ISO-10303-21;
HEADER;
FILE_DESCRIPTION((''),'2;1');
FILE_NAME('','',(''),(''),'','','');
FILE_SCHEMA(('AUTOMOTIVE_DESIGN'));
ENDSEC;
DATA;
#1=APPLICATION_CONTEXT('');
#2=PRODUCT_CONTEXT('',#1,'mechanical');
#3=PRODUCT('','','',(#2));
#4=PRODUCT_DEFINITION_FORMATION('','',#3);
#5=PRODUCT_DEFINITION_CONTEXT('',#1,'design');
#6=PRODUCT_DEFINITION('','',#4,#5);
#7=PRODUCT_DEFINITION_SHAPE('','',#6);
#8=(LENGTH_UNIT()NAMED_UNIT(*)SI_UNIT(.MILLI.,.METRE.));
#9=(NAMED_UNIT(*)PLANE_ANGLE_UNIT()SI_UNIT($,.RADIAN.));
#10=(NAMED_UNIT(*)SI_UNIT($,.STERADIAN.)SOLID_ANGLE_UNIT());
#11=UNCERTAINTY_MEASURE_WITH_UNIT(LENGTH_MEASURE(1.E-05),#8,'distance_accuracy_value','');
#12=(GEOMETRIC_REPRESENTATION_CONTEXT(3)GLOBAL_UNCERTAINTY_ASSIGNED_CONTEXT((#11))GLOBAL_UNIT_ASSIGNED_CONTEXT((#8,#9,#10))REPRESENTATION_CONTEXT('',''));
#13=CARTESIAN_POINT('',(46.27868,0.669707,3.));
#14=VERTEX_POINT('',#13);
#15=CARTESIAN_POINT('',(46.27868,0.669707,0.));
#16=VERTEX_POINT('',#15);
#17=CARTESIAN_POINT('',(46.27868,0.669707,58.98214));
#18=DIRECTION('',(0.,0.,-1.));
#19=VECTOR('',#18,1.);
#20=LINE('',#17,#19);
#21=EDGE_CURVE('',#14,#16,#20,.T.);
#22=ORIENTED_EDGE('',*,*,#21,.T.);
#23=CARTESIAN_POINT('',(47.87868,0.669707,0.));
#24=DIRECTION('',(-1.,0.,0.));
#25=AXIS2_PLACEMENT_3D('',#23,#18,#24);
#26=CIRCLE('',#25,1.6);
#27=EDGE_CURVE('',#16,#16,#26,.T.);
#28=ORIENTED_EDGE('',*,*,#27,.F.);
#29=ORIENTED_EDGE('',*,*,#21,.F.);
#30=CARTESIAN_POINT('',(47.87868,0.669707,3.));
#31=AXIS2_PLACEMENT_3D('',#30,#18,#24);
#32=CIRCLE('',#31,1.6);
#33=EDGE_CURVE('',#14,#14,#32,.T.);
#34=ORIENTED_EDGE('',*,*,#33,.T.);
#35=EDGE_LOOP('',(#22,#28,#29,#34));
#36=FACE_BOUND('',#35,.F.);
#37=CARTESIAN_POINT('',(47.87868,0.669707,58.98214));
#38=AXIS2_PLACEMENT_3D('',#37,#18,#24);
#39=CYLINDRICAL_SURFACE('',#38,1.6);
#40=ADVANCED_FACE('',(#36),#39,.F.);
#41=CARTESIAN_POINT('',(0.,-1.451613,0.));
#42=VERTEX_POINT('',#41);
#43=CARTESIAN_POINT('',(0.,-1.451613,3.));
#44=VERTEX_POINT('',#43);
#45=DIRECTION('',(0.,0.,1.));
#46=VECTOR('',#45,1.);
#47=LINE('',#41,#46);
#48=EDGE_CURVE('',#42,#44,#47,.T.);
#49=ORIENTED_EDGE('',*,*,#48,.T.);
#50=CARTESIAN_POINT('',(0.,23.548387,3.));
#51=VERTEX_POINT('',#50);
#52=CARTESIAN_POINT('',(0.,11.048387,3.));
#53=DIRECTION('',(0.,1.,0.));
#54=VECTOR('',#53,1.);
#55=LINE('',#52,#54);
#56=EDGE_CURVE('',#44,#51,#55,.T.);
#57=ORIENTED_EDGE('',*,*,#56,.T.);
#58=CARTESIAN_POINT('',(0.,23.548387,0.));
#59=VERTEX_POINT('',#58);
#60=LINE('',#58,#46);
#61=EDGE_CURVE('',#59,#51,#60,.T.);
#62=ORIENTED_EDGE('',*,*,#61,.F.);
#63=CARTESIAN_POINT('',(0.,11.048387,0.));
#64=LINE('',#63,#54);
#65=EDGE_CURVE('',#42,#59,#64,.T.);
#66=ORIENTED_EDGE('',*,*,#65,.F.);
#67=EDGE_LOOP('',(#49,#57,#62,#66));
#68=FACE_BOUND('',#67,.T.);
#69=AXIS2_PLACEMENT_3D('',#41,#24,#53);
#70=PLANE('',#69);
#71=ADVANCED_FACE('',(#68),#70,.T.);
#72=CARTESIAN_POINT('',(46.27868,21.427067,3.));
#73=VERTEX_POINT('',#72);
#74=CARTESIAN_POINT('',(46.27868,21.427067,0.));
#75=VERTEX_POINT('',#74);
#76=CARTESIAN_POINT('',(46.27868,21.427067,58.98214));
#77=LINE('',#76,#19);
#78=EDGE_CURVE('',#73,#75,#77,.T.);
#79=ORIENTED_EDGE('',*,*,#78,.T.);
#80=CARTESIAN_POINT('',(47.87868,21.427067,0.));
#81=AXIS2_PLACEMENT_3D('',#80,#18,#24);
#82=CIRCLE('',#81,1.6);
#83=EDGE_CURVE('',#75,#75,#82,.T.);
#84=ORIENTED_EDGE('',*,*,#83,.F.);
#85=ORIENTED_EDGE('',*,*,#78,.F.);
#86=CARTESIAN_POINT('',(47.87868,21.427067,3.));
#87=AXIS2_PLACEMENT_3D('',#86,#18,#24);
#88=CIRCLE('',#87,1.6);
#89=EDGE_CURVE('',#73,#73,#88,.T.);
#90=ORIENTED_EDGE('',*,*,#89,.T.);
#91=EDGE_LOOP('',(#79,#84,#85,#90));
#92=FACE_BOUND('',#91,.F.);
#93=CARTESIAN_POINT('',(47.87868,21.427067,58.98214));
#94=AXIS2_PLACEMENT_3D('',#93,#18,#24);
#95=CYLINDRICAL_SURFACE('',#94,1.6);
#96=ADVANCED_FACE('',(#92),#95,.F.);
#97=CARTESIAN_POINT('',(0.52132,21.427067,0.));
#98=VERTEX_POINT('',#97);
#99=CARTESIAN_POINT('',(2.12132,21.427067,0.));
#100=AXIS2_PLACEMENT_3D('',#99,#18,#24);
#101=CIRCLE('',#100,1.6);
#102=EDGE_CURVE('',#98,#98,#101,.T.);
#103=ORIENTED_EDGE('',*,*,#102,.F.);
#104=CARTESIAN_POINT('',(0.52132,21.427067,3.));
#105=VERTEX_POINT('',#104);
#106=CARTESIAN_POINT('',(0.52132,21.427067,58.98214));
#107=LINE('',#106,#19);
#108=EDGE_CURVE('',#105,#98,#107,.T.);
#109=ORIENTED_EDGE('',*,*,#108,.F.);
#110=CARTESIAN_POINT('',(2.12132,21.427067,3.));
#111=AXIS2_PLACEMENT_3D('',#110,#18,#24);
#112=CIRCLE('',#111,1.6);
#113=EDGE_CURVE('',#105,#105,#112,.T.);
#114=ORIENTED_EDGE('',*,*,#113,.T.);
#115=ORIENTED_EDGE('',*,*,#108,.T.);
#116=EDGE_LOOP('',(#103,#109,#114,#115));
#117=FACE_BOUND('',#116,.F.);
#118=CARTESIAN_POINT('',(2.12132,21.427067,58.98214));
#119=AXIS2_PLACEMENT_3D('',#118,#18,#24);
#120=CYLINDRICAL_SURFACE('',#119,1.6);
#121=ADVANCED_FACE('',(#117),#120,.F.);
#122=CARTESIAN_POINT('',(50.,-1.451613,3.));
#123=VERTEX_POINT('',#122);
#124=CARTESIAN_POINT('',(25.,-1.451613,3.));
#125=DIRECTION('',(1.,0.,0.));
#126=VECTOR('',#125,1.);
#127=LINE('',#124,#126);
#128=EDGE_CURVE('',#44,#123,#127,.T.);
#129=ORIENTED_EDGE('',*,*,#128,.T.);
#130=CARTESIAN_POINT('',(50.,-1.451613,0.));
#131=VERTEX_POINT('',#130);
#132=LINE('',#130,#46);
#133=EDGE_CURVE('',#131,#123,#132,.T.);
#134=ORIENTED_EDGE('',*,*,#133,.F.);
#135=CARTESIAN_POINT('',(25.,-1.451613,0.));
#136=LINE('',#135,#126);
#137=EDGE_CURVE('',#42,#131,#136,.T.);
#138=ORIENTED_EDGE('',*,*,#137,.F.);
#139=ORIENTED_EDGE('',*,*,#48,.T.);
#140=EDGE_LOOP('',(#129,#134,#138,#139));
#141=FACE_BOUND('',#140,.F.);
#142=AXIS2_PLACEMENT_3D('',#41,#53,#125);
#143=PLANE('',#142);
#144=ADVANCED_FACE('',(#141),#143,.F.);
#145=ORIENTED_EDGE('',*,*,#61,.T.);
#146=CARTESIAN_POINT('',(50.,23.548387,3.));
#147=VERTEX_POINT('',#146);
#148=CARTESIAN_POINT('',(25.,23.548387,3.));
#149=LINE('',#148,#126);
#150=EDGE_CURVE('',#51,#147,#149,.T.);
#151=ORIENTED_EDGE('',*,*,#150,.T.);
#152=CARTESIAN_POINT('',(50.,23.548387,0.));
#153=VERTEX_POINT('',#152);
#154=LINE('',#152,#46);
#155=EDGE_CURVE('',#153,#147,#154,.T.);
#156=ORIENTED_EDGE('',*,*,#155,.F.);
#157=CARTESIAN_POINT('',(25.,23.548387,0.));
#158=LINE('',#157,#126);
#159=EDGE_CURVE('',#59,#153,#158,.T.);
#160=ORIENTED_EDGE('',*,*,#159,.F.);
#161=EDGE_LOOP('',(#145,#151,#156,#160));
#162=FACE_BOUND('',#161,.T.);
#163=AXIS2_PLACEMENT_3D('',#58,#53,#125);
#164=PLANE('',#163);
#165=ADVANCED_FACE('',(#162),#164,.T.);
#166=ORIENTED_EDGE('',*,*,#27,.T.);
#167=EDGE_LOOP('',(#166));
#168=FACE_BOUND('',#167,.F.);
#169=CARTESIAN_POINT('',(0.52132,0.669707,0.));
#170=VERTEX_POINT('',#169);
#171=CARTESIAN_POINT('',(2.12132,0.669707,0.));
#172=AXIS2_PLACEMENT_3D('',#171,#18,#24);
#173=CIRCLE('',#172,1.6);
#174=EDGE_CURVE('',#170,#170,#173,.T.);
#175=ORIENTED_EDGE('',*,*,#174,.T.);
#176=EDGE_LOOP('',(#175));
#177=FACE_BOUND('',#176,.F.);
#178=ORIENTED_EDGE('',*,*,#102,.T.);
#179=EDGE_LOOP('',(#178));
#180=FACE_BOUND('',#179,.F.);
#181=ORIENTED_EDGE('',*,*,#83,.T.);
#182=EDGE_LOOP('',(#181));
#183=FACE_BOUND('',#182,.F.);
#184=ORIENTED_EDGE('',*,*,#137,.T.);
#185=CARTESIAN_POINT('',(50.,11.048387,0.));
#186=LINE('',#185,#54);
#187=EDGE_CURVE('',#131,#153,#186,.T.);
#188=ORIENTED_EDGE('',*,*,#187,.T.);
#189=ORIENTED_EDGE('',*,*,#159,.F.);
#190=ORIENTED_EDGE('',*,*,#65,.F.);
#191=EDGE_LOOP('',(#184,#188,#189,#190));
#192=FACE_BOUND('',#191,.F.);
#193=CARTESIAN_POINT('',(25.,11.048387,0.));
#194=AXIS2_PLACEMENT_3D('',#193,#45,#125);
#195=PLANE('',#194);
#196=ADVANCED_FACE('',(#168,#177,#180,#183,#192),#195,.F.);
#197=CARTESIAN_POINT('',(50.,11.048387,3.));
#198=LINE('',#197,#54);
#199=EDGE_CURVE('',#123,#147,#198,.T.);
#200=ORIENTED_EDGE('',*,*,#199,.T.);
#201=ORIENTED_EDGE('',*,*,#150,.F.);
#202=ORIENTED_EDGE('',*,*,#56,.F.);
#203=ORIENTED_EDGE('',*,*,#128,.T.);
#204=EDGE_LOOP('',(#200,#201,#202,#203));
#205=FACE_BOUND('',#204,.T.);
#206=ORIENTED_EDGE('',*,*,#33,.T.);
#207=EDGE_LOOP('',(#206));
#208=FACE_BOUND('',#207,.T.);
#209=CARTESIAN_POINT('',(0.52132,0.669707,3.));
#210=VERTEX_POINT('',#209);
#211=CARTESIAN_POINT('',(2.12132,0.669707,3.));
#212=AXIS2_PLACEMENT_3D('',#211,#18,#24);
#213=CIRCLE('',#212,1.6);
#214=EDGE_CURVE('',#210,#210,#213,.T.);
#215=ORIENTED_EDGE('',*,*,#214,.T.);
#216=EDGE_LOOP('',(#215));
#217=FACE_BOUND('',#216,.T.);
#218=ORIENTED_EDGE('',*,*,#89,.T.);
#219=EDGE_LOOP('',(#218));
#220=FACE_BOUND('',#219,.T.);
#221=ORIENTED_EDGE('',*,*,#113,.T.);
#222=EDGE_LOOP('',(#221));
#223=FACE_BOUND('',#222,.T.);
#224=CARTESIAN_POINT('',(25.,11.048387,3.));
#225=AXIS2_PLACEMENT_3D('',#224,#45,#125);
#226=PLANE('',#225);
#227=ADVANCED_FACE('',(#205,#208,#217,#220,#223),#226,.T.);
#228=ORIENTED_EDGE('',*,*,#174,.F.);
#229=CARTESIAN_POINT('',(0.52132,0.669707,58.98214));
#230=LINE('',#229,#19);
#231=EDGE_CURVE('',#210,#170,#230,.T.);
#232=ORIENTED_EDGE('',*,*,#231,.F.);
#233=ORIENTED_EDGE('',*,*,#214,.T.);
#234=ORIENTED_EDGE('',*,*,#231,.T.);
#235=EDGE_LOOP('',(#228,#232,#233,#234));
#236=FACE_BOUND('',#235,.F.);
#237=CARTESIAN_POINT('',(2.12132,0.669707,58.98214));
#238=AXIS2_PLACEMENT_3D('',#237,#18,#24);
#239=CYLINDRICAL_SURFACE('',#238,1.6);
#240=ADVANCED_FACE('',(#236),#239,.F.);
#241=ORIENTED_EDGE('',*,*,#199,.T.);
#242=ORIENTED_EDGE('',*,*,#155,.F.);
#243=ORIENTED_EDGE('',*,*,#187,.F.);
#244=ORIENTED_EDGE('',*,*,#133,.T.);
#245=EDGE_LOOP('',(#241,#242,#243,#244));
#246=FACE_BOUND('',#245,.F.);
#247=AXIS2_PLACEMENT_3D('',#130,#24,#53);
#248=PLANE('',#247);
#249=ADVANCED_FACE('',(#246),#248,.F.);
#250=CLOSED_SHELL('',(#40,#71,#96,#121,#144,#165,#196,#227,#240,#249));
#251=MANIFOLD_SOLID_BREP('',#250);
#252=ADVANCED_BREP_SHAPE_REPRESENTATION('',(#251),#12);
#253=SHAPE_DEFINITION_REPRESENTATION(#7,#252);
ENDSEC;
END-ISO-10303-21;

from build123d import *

# Parameters (mm, degrees)
F0_W     = 50
F0_H     = 25
F1_DEPTH = 3
F3_D     = 3.2


with BuildPart() as f1:
    # F0 (on Top) → F1 (new body)
    with BuildSketch(Plane.XY):
        with Locations((25, 11.048387)):
            Rectangle(F0_W, F0_H)
    extrude(amount=F1_DEPTH)

    # F3 (through all)
    with Locations(Plane.XY.offset(3)):
        with Locations((2.12132, 21.427067), (47.87868, 21.427067), (47.87868, 0.669707), (2.12132, 0.669707)):
            Hole(F3_D / 2)


solid = f1.part
